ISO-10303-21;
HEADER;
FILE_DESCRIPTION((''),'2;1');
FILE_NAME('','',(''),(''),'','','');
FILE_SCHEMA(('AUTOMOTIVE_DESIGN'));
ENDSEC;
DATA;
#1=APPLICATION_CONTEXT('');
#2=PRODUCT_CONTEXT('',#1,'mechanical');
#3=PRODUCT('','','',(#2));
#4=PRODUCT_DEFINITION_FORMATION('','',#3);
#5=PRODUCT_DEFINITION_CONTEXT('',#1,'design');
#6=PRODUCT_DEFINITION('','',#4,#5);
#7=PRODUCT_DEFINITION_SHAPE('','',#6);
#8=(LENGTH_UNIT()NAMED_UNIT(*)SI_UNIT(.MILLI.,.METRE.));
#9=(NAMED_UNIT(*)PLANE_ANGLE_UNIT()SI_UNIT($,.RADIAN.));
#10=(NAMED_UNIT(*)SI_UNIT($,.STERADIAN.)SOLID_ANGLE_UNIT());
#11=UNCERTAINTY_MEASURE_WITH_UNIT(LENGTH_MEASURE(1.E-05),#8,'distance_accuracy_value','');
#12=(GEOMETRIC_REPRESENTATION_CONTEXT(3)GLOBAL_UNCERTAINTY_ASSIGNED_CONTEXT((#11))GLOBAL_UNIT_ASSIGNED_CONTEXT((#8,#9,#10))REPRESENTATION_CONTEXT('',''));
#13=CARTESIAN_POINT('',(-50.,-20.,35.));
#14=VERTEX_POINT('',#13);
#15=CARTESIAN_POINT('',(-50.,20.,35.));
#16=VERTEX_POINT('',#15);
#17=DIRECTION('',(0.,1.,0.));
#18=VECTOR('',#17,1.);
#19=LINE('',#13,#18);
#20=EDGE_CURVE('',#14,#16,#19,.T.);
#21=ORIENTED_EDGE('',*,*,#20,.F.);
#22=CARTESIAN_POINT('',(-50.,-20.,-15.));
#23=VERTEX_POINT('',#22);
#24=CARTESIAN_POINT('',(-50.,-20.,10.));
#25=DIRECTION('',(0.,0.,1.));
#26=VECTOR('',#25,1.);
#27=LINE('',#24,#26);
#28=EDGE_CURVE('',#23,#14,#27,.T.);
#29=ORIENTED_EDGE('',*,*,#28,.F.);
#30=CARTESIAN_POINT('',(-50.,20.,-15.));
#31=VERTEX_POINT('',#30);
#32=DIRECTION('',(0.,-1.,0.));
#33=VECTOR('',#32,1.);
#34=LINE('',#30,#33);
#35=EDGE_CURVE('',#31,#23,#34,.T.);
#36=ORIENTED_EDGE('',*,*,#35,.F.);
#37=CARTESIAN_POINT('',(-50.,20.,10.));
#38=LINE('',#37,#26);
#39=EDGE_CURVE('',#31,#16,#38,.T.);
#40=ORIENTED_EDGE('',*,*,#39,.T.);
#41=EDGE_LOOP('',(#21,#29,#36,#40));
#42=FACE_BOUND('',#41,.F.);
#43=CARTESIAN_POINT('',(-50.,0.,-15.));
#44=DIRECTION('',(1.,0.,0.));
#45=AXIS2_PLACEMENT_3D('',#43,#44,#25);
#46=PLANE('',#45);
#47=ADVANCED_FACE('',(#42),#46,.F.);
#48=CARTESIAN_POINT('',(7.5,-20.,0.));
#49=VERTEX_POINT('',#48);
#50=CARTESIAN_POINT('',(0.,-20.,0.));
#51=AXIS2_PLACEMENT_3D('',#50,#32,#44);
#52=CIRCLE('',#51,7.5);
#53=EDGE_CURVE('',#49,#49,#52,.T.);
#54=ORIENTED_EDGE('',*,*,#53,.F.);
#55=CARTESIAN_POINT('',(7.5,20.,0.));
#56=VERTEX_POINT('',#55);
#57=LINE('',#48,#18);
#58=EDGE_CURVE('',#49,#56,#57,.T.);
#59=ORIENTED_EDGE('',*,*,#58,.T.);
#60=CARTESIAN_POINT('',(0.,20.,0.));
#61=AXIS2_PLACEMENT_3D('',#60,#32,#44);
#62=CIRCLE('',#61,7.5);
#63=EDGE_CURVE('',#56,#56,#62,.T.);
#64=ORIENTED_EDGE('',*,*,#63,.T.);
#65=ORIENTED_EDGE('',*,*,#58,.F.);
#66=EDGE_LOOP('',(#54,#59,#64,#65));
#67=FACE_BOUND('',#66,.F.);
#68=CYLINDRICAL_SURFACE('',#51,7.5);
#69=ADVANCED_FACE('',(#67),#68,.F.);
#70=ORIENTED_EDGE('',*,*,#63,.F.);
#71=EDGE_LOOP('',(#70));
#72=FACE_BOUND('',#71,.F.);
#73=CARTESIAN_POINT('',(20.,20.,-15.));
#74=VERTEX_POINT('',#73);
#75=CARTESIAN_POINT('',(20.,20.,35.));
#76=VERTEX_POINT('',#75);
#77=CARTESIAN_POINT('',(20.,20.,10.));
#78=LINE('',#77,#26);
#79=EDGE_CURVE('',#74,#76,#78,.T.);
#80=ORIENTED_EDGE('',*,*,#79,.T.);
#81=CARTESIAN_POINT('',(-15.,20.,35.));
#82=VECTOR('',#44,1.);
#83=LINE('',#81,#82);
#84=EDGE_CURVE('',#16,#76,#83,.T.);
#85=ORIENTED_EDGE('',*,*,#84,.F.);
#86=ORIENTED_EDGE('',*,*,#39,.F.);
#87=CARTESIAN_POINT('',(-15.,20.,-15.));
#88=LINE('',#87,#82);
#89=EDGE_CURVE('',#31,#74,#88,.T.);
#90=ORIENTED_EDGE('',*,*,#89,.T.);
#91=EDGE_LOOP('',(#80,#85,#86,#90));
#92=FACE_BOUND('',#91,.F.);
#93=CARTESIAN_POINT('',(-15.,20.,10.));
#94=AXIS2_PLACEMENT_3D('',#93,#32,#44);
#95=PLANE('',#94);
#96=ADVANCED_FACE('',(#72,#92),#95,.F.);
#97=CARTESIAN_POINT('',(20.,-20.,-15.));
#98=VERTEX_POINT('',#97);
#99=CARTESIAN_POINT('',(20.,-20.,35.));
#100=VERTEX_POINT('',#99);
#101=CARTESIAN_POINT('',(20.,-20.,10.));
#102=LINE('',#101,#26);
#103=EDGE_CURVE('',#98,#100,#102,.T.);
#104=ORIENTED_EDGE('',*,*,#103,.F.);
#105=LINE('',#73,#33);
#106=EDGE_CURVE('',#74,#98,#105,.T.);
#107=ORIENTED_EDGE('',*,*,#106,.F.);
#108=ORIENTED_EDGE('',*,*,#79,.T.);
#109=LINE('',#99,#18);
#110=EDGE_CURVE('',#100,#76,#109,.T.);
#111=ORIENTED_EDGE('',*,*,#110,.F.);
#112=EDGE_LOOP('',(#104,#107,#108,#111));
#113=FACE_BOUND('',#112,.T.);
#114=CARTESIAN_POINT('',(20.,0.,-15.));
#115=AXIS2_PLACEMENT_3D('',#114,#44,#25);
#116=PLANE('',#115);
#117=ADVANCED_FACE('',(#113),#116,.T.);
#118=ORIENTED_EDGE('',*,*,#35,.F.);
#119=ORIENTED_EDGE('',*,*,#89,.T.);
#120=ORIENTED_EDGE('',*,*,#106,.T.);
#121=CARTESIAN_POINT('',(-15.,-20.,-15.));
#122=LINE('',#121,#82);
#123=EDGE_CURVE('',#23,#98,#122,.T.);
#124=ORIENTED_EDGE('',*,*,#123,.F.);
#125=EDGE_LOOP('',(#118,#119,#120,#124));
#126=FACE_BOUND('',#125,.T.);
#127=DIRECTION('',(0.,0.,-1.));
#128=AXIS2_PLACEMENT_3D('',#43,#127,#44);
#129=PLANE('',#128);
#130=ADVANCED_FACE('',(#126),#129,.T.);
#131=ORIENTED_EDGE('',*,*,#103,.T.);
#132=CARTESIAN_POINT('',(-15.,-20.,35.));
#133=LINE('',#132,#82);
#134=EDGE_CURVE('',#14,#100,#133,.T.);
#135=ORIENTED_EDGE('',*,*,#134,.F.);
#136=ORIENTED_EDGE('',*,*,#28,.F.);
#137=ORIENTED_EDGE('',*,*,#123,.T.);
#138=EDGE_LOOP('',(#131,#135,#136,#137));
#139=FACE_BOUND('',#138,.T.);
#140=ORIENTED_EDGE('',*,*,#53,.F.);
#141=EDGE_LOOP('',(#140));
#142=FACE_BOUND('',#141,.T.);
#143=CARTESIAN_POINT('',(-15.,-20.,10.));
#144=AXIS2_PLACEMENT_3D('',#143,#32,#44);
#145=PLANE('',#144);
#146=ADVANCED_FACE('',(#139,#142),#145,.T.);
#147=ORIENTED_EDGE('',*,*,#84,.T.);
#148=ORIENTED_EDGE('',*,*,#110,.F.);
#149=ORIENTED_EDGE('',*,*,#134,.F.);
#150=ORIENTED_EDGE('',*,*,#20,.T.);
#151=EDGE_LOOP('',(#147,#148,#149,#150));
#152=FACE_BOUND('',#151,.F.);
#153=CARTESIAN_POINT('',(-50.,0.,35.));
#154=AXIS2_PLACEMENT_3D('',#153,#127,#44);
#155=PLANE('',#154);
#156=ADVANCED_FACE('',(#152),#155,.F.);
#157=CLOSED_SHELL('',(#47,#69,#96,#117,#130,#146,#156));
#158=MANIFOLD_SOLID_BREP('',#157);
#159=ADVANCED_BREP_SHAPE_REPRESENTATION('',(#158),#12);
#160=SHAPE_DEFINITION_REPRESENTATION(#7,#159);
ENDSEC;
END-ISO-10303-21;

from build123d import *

# Parameters (mm, degrees)
F0_W     = 70
F0_H     = 50
F1_DEPTH = 20
F2_R     = 7.5
F3_DEPTH = 40


with BuildPart() as f1:
    # F0 (on Front) → F1 (new body, symmetric)
    with BuildSketch(Plane.XZ):
        with Locations((-15, 10)):
            Rectangle(F0_W, F0_H)
    extrude(amount=F1_DEPTH, both=True)

    # F2 (on face) → F3 (cut, through all)
    with BuildSketch(Plane.XZ.offset(20)):
        Circle(F2_R)
    extrude(amount=-F3_DEPTH, mode=Mode.SUBTRACT)


solid = f1.part
